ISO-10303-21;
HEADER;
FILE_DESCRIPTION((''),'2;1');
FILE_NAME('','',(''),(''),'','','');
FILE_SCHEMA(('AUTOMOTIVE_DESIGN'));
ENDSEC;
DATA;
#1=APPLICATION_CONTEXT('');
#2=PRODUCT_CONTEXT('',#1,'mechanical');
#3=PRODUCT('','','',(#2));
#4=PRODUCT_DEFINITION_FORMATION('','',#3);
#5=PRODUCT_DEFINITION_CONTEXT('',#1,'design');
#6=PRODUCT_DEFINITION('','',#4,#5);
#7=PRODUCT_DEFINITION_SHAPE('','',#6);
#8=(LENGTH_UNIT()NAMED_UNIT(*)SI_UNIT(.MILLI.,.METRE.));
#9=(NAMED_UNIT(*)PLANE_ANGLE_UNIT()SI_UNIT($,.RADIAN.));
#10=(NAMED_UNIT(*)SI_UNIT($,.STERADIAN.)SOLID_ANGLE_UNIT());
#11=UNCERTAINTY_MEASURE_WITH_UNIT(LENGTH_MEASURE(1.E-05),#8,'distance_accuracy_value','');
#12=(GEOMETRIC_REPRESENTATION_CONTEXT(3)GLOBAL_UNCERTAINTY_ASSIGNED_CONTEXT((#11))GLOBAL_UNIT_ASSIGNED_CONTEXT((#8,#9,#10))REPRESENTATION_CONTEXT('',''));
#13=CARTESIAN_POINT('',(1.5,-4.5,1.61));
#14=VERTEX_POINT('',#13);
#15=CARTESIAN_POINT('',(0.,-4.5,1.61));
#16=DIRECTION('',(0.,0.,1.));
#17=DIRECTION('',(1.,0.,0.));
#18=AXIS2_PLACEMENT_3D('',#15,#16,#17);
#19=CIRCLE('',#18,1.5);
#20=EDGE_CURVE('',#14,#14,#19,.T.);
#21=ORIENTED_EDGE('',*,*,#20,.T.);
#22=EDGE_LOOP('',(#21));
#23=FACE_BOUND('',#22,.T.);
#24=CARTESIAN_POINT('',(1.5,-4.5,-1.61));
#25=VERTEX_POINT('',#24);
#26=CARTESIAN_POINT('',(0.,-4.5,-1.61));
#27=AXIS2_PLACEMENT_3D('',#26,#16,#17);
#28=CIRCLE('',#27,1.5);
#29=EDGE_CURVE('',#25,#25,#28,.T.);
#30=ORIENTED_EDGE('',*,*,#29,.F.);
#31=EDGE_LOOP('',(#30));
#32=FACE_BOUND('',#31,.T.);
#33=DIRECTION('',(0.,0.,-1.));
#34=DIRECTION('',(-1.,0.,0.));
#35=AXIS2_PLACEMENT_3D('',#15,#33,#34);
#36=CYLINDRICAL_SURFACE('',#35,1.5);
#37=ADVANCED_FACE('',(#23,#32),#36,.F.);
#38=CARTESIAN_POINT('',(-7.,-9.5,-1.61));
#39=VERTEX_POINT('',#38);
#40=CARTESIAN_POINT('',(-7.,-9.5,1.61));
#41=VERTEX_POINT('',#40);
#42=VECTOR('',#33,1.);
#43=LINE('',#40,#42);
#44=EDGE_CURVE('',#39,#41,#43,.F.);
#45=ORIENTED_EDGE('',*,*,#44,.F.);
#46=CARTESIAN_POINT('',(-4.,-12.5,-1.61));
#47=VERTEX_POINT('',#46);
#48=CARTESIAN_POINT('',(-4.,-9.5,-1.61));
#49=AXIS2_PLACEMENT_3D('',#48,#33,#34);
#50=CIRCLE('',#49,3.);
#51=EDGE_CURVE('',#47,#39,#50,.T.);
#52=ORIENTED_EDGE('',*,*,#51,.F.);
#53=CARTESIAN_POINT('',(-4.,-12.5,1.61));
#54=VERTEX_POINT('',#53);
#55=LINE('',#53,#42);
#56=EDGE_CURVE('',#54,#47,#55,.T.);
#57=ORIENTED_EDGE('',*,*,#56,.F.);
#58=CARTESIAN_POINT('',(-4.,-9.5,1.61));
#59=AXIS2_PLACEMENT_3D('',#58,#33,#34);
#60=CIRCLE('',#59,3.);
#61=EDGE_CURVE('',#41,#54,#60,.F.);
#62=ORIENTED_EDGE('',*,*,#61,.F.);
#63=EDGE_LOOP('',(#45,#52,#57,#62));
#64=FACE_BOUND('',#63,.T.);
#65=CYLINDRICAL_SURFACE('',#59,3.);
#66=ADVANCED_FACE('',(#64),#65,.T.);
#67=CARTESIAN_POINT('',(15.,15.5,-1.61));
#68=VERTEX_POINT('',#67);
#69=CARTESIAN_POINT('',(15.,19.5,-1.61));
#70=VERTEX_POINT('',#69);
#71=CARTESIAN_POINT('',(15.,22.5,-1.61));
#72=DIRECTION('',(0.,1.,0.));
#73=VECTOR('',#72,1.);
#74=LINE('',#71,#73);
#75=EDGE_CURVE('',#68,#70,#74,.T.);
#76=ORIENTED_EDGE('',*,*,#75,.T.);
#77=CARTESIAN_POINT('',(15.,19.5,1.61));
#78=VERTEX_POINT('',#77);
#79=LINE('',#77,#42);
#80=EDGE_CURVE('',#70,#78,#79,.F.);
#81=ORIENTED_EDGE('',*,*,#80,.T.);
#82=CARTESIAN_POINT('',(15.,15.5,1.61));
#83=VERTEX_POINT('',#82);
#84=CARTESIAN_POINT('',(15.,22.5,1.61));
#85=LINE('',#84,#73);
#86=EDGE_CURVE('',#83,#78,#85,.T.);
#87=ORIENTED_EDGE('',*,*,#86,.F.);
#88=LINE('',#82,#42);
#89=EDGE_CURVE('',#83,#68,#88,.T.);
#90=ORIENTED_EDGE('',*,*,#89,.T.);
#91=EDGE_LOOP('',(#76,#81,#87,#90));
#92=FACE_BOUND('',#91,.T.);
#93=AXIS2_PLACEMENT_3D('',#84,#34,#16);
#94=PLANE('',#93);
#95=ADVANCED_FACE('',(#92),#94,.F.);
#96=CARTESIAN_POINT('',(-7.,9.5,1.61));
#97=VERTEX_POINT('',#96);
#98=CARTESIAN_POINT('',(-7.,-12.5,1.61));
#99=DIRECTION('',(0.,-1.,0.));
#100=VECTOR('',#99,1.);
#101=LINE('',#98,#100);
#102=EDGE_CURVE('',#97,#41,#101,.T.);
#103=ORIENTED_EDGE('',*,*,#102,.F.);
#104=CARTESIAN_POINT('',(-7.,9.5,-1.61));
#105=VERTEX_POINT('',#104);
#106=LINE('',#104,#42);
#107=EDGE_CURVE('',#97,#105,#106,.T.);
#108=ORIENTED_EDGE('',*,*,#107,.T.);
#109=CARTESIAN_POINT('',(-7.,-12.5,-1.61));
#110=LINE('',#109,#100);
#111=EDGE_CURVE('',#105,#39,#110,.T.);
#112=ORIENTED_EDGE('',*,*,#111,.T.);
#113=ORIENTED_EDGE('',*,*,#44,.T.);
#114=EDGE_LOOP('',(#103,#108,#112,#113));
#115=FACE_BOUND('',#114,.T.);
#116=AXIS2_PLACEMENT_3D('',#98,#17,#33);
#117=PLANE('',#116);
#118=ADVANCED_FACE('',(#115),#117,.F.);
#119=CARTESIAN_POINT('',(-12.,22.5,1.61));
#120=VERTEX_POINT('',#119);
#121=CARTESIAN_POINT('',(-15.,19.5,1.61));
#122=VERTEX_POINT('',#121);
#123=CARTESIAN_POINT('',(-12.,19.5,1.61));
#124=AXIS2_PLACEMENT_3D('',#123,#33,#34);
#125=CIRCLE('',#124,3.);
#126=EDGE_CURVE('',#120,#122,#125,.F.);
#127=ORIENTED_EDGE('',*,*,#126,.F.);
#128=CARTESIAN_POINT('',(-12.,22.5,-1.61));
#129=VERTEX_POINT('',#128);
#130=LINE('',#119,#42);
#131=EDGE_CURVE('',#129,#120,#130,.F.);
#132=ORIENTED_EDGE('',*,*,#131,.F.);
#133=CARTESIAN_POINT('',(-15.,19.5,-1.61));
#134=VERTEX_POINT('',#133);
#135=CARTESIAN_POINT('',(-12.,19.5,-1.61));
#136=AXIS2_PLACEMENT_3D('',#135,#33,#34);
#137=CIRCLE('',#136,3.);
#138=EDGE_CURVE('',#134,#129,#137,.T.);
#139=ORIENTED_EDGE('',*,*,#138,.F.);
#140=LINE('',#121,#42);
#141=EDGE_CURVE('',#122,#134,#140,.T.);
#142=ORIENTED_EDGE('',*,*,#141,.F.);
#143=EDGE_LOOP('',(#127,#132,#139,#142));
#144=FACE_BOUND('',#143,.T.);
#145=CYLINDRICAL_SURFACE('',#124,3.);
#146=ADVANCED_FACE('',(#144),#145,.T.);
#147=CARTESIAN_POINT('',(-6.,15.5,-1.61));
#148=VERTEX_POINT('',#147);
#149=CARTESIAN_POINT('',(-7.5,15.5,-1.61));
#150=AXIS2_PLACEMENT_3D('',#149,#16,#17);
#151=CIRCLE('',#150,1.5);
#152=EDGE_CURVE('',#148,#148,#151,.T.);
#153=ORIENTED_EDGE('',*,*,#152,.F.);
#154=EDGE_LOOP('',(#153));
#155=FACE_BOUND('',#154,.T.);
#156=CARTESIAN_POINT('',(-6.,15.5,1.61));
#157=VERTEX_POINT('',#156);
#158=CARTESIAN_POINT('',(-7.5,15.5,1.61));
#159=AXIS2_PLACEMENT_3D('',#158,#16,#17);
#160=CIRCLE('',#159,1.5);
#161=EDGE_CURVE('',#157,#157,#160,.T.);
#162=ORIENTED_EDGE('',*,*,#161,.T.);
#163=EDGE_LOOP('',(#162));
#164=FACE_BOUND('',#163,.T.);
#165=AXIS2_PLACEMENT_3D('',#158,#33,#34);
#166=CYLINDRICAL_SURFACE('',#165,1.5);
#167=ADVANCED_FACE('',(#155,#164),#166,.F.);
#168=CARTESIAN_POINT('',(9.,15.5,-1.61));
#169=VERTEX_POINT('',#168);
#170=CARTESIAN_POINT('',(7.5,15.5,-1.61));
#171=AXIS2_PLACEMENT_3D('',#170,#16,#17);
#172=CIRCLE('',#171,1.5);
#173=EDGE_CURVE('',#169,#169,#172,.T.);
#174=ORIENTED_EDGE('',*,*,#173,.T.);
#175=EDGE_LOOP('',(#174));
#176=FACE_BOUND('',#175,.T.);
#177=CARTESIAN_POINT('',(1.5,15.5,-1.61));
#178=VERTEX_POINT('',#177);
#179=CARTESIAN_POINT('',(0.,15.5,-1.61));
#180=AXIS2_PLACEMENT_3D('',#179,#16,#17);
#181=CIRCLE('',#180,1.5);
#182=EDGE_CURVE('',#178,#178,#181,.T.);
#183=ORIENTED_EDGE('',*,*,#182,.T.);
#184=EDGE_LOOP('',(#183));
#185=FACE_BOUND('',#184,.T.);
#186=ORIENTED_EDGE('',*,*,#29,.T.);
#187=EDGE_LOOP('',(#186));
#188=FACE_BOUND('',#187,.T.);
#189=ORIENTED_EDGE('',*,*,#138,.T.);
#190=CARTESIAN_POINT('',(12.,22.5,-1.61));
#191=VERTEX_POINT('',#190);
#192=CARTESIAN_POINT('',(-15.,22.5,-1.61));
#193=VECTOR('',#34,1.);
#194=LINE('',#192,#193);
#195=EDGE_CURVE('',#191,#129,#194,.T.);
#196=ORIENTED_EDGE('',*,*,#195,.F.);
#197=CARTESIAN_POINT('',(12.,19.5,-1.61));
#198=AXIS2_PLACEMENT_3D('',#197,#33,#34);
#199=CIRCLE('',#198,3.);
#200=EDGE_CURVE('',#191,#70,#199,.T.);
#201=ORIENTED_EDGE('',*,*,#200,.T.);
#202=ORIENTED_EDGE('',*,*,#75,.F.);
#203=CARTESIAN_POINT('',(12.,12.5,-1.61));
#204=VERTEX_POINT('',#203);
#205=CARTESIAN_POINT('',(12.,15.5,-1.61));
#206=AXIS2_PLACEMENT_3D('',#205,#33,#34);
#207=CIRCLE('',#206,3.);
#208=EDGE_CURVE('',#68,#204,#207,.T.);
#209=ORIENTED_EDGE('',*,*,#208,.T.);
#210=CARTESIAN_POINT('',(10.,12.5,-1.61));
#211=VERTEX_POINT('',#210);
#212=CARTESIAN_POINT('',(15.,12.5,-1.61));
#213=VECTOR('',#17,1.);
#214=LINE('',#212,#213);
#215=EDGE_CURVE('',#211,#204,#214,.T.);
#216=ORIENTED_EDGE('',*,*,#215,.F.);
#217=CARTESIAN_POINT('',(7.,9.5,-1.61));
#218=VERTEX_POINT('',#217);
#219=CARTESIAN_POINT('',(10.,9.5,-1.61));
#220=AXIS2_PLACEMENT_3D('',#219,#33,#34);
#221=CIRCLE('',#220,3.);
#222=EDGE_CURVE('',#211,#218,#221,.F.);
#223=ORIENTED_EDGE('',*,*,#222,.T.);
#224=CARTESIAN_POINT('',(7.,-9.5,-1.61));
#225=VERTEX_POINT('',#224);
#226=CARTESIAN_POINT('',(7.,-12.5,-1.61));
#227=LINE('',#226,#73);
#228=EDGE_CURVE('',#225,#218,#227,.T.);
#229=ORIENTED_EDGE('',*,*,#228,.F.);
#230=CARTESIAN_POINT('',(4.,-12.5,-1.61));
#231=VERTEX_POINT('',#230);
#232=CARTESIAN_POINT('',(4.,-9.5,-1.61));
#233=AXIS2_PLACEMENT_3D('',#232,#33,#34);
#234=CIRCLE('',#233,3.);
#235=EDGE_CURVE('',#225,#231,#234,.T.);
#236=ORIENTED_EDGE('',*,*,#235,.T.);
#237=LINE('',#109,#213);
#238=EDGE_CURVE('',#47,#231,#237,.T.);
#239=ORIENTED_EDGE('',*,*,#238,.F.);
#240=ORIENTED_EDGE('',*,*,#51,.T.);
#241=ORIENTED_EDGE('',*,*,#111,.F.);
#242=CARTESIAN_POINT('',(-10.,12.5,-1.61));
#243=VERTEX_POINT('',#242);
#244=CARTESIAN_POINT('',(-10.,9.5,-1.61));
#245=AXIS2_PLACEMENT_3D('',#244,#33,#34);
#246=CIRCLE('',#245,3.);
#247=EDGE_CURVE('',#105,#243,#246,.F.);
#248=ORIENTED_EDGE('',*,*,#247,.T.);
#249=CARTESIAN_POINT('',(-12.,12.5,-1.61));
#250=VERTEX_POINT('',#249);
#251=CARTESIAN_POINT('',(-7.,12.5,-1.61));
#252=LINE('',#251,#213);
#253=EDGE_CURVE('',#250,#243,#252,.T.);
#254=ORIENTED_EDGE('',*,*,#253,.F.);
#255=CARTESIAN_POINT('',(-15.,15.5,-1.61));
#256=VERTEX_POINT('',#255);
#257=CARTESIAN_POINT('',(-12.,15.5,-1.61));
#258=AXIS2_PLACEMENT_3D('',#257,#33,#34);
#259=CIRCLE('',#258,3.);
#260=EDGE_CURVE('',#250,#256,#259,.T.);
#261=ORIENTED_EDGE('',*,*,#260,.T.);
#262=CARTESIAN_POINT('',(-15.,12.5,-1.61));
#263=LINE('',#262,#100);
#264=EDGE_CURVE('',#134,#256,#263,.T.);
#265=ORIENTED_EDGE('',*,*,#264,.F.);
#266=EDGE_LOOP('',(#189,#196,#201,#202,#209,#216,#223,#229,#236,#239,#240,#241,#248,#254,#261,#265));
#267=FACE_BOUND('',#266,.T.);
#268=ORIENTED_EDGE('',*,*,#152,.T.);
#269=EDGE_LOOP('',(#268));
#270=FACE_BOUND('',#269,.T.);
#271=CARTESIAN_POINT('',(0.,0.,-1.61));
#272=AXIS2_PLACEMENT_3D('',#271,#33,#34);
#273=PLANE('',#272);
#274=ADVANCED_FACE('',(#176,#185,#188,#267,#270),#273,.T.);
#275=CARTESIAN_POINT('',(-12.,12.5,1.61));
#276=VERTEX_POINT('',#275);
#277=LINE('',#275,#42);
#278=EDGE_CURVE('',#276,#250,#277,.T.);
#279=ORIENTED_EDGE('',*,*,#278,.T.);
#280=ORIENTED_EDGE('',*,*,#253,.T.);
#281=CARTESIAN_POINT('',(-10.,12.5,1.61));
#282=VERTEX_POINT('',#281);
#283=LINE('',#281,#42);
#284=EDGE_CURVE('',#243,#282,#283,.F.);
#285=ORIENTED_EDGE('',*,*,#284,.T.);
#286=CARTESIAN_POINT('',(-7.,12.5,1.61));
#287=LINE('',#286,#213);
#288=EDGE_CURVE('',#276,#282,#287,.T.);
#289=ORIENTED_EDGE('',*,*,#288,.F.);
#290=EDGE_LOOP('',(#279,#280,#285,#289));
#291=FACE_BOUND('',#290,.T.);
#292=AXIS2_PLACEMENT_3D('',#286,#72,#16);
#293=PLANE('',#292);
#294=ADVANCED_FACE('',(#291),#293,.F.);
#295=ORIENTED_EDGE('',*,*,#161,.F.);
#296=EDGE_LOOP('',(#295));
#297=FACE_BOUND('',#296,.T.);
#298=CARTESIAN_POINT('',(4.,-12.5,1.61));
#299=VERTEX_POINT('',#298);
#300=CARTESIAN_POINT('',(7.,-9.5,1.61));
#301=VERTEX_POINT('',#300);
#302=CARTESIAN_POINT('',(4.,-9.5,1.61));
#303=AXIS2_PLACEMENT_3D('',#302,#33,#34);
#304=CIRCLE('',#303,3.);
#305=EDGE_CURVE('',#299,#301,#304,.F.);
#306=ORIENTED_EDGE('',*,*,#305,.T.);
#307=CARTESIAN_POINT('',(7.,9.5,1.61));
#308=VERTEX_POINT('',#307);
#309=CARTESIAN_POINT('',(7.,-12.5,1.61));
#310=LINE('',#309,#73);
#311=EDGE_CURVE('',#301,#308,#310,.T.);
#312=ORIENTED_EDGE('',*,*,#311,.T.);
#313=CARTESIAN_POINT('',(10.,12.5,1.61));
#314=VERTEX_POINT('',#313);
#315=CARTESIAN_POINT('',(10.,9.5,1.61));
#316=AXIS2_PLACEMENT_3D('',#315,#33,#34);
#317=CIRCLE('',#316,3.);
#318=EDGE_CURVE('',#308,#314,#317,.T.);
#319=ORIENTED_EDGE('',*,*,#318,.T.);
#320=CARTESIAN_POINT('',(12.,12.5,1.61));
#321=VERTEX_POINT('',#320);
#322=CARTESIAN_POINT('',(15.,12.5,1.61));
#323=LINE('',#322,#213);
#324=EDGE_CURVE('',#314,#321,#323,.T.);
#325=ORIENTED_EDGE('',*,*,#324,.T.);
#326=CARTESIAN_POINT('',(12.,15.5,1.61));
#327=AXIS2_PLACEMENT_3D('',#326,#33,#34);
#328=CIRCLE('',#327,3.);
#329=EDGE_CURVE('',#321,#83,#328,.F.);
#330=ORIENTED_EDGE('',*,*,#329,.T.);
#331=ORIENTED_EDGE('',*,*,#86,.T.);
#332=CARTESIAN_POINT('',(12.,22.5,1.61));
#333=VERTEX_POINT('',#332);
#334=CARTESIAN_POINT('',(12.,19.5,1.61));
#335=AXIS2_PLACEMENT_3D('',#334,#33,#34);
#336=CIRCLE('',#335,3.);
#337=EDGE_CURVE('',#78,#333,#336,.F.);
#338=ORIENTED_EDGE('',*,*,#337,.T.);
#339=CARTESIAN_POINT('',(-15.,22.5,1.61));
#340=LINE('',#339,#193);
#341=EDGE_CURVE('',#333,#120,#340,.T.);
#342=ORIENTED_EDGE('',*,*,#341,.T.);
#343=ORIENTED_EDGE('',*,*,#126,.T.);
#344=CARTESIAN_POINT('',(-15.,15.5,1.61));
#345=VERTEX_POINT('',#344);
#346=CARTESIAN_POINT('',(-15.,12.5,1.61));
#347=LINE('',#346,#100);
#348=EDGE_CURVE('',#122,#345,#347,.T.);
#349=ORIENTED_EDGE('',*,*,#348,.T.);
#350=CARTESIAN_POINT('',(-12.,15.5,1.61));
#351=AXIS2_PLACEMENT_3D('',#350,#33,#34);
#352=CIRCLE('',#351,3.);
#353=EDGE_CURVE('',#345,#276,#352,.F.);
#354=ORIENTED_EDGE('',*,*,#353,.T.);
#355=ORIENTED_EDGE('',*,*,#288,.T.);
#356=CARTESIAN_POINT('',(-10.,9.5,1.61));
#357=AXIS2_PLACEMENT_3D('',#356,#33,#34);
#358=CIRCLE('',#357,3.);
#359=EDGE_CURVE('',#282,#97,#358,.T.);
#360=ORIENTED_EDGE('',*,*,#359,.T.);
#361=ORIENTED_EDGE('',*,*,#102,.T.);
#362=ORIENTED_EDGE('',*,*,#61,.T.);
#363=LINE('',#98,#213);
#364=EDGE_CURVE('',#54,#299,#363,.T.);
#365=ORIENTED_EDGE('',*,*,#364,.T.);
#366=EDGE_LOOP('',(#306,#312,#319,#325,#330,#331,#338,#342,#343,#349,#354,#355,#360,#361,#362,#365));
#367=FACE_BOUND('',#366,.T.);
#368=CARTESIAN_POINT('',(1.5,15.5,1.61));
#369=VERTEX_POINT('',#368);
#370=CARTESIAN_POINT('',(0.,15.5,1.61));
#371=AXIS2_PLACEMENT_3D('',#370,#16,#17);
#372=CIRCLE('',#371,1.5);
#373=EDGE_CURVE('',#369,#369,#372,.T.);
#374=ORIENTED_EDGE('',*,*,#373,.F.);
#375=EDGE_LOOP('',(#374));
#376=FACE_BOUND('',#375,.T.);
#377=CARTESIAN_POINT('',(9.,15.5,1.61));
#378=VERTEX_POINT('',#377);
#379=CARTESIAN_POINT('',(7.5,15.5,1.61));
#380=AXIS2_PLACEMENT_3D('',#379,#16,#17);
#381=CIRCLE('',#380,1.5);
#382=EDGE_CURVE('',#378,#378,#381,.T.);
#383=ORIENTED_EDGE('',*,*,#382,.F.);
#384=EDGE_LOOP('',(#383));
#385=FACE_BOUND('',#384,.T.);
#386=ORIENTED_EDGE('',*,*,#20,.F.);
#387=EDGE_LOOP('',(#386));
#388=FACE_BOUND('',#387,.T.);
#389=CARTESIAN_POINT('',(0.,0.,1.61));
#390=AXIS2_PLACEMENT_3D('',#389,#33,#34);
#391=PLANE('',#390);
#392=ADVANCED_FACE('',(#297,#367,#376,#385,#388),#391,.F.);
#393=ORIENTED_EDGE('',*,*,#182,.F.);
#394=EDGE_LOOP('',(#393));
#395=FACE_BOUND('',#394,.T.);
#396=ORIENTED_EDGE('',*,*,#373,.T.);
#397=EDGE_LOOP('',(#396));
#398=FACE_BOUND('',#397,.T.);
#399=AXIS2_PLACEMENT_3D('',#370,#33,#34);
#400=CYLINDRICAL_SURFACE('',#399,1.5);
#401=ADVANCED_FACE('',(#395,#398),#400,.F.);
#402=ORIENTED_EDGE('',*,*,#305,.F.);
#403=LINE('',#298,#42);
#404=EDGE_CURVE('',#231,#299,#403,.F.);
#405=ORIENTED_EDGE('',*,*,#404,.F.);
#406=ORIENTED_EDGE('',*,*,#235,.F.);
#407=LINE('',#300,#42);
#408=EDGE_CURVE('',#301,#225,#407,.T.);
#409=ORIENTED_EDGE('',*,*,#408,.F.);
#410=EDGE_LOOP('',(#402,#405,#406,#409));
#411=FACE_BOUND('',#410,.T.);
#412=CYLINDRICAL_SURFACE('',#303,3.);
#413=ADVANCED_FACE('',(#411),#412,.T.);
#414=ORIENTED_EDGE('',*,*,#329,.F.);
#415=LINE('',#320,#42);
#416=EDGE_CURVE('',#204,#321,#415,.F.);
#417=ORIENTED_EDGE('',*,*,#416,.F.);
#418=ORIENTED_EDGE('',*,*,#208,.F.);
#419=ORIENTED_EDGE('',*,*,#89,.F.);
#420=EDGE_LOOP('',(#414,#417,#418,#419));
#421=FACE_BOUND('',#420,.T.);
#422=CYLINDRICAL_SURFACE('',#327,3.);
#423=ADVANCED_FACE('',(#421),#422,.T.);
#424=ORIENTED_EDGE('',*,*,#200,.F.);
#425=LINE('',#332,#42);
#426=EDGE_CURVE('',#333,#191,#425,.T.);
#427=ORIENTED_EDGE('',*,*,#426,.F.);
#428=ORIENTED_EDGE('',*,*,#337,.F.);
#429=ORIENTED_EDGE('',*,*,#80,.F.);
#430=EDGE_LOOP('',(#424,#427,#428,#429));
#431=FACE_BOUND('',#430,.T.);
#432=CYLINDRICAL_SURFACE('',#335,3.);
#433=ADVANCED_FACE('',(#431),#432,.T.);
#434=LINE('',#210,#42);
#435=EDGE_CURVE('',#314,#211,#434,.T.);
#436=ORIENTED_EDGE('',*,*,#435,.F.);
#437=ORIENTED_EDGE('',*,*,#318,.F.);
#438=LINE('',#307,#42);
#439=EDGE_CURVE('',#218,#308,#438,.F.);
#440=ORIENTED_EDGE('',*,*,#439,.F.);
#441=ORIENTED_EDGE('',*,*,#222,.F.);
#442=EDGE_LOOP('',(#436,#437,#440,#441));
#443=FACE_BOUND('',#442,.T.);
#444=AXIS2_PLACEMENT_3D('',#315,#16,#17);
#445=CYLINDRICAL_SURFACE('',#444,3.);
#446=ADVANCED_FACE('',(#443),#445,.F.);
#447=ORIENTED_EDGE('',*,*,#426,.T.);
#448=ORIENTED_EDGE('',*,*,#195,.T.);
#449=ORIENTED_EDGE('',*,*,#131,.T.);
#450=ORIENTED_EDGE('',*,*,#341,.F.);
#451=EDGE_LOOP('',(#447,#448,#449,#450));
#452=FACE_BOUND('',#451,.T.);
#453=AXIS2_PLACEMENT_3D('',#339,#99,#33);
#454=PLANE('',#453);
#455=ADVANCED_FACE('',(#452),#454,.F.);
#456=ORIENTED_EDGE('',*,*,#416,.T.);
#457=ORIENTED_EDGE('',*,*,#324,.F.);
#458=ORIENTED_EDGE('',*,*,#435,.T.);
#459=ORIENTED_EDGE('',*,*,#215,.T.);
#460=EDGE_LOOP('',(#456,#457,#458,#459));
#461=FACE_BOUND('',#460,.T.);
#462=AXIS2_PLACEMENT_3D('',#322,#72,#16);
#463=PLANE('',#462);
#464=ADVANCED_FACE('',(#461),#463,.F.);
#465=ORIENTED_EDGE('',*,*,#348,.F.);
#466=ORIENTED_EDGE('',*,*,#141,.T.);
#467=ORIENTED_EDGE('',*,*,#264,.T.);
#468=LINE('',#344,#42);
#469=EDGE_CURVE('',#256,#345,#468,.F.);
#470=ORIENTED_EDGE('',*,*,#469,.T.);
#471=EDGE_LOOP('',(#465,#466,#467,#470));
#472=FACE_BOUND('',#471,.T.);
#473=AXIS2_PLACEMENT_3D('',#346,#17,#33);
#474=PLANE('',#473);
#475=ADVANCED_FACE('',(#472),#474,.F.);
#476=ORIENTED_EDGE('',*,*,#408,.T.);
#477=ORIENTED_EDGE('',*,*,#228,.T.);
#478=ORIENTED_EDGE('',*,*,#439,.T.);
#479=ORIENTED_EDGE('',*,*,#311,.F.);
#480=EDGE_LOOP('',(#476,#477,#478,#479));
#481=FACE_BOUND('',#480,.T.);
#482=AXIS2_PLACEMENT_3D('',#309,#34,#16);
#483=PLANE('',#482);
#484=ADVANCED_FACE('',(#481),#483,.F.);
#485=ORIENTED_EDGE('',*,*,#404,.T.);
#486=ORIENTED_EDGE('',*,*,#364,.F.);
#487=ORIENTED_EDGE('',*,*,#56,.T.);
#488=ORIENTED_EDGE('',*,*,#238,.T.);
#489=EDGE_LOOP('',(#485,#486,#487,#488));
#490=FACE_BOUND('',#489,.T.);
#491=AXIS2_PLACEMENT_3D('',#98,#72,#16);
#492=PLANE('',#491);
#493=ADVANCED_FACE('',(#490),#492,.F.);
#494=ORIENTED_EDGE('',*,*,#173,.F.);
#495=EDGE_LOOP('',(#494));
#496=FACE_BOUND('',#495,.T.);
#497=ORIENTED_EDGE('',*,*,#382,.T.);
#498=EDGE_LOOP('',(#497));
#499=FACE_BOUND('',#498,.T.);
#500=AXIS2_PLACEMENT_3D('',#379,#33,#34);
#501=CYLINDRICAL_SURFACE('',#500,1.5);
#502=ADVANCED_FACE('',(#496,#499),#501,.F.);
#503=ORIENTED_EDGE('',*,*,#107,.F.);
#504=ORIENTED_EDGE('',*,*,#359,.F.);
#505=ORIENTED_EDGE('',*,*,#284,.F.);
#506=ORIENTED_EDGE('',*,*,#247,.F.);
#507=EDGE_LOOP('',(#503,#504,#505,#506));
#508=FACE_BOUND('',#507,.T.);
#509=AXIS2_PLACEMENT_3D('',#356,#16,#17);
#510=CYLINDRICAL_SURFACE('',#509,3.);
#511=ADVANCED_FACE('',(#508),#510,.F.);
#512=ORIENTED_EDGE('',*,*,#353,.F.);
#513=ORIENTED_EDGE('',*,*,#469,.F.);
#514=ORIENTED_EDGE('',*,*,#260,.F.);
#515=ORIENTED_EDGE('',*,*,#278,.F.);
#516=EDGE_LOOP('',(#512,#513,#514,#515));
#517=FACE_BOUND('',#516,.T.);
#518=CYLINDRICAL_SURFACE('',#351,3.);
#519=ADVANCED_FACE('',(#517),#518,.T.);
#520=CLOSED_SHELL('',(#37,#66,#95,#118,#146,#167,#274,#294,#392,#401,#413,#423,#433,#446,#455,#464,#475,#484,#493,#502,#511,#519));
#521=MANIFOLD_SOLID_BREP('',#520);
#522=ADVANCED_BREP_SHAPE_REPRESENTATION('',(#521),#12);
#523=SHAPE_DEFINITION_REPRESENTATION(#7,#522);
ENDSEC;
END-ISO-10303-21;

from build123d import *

# Parameters (mm, degrees)
SKETCH1_R           = 1.5
BOSS_EXTRUDE1_DEPTH = 1.61
FILLET1_R           = 3


with BuildPart() as part:
    # Sketch1 → Boss-Extrude1 (new body, symmetric)
    with BuildSketch(Plane.XY):
        Polygon((-7, 12.5), (-15, 12.5), (-15, 22.5), (15, 22.5), (15, 12.5), (7, 12.5), (7, -12.5), (-7, -12.5), align=None)
        with Locations((-7.5, 15.5)):
            Circle(SKETCH1_R, mode=Mode.SUBTRACT)
        with Locations((0, 15.5)):
            Circle(SKETCH1_R, mode=Mode.SUBTRACT)
        with Locations((7.5, 15.5)):
            Circle(SKETCH1_R, mode=Mode.SUBTRACT)
        with Locations((0, -4.5)):
            Circle(SKETCH1_R, mode=Mode.SUBTRACT)
    extrude(amount=BOSS_EXTRUDE1_DEPTH, both=True)

    # Fillet1
    fillet1_edges = [part.edges().sort_by_distance(p)[0] for p in [
        (7, 12.5, 0),
        (7, -12.5, 0),
        (-7, -12.5, 0),
        (-7, 12.5, 0),
        (-15, 12.5, 0),
        (-15, 22.5, 0),
        (15, 22.5, 0),
        (15, 12.5, 0),
    ]]
    fillet(fillet1_edges, radius=FILLET1_R)


solid = part.part
